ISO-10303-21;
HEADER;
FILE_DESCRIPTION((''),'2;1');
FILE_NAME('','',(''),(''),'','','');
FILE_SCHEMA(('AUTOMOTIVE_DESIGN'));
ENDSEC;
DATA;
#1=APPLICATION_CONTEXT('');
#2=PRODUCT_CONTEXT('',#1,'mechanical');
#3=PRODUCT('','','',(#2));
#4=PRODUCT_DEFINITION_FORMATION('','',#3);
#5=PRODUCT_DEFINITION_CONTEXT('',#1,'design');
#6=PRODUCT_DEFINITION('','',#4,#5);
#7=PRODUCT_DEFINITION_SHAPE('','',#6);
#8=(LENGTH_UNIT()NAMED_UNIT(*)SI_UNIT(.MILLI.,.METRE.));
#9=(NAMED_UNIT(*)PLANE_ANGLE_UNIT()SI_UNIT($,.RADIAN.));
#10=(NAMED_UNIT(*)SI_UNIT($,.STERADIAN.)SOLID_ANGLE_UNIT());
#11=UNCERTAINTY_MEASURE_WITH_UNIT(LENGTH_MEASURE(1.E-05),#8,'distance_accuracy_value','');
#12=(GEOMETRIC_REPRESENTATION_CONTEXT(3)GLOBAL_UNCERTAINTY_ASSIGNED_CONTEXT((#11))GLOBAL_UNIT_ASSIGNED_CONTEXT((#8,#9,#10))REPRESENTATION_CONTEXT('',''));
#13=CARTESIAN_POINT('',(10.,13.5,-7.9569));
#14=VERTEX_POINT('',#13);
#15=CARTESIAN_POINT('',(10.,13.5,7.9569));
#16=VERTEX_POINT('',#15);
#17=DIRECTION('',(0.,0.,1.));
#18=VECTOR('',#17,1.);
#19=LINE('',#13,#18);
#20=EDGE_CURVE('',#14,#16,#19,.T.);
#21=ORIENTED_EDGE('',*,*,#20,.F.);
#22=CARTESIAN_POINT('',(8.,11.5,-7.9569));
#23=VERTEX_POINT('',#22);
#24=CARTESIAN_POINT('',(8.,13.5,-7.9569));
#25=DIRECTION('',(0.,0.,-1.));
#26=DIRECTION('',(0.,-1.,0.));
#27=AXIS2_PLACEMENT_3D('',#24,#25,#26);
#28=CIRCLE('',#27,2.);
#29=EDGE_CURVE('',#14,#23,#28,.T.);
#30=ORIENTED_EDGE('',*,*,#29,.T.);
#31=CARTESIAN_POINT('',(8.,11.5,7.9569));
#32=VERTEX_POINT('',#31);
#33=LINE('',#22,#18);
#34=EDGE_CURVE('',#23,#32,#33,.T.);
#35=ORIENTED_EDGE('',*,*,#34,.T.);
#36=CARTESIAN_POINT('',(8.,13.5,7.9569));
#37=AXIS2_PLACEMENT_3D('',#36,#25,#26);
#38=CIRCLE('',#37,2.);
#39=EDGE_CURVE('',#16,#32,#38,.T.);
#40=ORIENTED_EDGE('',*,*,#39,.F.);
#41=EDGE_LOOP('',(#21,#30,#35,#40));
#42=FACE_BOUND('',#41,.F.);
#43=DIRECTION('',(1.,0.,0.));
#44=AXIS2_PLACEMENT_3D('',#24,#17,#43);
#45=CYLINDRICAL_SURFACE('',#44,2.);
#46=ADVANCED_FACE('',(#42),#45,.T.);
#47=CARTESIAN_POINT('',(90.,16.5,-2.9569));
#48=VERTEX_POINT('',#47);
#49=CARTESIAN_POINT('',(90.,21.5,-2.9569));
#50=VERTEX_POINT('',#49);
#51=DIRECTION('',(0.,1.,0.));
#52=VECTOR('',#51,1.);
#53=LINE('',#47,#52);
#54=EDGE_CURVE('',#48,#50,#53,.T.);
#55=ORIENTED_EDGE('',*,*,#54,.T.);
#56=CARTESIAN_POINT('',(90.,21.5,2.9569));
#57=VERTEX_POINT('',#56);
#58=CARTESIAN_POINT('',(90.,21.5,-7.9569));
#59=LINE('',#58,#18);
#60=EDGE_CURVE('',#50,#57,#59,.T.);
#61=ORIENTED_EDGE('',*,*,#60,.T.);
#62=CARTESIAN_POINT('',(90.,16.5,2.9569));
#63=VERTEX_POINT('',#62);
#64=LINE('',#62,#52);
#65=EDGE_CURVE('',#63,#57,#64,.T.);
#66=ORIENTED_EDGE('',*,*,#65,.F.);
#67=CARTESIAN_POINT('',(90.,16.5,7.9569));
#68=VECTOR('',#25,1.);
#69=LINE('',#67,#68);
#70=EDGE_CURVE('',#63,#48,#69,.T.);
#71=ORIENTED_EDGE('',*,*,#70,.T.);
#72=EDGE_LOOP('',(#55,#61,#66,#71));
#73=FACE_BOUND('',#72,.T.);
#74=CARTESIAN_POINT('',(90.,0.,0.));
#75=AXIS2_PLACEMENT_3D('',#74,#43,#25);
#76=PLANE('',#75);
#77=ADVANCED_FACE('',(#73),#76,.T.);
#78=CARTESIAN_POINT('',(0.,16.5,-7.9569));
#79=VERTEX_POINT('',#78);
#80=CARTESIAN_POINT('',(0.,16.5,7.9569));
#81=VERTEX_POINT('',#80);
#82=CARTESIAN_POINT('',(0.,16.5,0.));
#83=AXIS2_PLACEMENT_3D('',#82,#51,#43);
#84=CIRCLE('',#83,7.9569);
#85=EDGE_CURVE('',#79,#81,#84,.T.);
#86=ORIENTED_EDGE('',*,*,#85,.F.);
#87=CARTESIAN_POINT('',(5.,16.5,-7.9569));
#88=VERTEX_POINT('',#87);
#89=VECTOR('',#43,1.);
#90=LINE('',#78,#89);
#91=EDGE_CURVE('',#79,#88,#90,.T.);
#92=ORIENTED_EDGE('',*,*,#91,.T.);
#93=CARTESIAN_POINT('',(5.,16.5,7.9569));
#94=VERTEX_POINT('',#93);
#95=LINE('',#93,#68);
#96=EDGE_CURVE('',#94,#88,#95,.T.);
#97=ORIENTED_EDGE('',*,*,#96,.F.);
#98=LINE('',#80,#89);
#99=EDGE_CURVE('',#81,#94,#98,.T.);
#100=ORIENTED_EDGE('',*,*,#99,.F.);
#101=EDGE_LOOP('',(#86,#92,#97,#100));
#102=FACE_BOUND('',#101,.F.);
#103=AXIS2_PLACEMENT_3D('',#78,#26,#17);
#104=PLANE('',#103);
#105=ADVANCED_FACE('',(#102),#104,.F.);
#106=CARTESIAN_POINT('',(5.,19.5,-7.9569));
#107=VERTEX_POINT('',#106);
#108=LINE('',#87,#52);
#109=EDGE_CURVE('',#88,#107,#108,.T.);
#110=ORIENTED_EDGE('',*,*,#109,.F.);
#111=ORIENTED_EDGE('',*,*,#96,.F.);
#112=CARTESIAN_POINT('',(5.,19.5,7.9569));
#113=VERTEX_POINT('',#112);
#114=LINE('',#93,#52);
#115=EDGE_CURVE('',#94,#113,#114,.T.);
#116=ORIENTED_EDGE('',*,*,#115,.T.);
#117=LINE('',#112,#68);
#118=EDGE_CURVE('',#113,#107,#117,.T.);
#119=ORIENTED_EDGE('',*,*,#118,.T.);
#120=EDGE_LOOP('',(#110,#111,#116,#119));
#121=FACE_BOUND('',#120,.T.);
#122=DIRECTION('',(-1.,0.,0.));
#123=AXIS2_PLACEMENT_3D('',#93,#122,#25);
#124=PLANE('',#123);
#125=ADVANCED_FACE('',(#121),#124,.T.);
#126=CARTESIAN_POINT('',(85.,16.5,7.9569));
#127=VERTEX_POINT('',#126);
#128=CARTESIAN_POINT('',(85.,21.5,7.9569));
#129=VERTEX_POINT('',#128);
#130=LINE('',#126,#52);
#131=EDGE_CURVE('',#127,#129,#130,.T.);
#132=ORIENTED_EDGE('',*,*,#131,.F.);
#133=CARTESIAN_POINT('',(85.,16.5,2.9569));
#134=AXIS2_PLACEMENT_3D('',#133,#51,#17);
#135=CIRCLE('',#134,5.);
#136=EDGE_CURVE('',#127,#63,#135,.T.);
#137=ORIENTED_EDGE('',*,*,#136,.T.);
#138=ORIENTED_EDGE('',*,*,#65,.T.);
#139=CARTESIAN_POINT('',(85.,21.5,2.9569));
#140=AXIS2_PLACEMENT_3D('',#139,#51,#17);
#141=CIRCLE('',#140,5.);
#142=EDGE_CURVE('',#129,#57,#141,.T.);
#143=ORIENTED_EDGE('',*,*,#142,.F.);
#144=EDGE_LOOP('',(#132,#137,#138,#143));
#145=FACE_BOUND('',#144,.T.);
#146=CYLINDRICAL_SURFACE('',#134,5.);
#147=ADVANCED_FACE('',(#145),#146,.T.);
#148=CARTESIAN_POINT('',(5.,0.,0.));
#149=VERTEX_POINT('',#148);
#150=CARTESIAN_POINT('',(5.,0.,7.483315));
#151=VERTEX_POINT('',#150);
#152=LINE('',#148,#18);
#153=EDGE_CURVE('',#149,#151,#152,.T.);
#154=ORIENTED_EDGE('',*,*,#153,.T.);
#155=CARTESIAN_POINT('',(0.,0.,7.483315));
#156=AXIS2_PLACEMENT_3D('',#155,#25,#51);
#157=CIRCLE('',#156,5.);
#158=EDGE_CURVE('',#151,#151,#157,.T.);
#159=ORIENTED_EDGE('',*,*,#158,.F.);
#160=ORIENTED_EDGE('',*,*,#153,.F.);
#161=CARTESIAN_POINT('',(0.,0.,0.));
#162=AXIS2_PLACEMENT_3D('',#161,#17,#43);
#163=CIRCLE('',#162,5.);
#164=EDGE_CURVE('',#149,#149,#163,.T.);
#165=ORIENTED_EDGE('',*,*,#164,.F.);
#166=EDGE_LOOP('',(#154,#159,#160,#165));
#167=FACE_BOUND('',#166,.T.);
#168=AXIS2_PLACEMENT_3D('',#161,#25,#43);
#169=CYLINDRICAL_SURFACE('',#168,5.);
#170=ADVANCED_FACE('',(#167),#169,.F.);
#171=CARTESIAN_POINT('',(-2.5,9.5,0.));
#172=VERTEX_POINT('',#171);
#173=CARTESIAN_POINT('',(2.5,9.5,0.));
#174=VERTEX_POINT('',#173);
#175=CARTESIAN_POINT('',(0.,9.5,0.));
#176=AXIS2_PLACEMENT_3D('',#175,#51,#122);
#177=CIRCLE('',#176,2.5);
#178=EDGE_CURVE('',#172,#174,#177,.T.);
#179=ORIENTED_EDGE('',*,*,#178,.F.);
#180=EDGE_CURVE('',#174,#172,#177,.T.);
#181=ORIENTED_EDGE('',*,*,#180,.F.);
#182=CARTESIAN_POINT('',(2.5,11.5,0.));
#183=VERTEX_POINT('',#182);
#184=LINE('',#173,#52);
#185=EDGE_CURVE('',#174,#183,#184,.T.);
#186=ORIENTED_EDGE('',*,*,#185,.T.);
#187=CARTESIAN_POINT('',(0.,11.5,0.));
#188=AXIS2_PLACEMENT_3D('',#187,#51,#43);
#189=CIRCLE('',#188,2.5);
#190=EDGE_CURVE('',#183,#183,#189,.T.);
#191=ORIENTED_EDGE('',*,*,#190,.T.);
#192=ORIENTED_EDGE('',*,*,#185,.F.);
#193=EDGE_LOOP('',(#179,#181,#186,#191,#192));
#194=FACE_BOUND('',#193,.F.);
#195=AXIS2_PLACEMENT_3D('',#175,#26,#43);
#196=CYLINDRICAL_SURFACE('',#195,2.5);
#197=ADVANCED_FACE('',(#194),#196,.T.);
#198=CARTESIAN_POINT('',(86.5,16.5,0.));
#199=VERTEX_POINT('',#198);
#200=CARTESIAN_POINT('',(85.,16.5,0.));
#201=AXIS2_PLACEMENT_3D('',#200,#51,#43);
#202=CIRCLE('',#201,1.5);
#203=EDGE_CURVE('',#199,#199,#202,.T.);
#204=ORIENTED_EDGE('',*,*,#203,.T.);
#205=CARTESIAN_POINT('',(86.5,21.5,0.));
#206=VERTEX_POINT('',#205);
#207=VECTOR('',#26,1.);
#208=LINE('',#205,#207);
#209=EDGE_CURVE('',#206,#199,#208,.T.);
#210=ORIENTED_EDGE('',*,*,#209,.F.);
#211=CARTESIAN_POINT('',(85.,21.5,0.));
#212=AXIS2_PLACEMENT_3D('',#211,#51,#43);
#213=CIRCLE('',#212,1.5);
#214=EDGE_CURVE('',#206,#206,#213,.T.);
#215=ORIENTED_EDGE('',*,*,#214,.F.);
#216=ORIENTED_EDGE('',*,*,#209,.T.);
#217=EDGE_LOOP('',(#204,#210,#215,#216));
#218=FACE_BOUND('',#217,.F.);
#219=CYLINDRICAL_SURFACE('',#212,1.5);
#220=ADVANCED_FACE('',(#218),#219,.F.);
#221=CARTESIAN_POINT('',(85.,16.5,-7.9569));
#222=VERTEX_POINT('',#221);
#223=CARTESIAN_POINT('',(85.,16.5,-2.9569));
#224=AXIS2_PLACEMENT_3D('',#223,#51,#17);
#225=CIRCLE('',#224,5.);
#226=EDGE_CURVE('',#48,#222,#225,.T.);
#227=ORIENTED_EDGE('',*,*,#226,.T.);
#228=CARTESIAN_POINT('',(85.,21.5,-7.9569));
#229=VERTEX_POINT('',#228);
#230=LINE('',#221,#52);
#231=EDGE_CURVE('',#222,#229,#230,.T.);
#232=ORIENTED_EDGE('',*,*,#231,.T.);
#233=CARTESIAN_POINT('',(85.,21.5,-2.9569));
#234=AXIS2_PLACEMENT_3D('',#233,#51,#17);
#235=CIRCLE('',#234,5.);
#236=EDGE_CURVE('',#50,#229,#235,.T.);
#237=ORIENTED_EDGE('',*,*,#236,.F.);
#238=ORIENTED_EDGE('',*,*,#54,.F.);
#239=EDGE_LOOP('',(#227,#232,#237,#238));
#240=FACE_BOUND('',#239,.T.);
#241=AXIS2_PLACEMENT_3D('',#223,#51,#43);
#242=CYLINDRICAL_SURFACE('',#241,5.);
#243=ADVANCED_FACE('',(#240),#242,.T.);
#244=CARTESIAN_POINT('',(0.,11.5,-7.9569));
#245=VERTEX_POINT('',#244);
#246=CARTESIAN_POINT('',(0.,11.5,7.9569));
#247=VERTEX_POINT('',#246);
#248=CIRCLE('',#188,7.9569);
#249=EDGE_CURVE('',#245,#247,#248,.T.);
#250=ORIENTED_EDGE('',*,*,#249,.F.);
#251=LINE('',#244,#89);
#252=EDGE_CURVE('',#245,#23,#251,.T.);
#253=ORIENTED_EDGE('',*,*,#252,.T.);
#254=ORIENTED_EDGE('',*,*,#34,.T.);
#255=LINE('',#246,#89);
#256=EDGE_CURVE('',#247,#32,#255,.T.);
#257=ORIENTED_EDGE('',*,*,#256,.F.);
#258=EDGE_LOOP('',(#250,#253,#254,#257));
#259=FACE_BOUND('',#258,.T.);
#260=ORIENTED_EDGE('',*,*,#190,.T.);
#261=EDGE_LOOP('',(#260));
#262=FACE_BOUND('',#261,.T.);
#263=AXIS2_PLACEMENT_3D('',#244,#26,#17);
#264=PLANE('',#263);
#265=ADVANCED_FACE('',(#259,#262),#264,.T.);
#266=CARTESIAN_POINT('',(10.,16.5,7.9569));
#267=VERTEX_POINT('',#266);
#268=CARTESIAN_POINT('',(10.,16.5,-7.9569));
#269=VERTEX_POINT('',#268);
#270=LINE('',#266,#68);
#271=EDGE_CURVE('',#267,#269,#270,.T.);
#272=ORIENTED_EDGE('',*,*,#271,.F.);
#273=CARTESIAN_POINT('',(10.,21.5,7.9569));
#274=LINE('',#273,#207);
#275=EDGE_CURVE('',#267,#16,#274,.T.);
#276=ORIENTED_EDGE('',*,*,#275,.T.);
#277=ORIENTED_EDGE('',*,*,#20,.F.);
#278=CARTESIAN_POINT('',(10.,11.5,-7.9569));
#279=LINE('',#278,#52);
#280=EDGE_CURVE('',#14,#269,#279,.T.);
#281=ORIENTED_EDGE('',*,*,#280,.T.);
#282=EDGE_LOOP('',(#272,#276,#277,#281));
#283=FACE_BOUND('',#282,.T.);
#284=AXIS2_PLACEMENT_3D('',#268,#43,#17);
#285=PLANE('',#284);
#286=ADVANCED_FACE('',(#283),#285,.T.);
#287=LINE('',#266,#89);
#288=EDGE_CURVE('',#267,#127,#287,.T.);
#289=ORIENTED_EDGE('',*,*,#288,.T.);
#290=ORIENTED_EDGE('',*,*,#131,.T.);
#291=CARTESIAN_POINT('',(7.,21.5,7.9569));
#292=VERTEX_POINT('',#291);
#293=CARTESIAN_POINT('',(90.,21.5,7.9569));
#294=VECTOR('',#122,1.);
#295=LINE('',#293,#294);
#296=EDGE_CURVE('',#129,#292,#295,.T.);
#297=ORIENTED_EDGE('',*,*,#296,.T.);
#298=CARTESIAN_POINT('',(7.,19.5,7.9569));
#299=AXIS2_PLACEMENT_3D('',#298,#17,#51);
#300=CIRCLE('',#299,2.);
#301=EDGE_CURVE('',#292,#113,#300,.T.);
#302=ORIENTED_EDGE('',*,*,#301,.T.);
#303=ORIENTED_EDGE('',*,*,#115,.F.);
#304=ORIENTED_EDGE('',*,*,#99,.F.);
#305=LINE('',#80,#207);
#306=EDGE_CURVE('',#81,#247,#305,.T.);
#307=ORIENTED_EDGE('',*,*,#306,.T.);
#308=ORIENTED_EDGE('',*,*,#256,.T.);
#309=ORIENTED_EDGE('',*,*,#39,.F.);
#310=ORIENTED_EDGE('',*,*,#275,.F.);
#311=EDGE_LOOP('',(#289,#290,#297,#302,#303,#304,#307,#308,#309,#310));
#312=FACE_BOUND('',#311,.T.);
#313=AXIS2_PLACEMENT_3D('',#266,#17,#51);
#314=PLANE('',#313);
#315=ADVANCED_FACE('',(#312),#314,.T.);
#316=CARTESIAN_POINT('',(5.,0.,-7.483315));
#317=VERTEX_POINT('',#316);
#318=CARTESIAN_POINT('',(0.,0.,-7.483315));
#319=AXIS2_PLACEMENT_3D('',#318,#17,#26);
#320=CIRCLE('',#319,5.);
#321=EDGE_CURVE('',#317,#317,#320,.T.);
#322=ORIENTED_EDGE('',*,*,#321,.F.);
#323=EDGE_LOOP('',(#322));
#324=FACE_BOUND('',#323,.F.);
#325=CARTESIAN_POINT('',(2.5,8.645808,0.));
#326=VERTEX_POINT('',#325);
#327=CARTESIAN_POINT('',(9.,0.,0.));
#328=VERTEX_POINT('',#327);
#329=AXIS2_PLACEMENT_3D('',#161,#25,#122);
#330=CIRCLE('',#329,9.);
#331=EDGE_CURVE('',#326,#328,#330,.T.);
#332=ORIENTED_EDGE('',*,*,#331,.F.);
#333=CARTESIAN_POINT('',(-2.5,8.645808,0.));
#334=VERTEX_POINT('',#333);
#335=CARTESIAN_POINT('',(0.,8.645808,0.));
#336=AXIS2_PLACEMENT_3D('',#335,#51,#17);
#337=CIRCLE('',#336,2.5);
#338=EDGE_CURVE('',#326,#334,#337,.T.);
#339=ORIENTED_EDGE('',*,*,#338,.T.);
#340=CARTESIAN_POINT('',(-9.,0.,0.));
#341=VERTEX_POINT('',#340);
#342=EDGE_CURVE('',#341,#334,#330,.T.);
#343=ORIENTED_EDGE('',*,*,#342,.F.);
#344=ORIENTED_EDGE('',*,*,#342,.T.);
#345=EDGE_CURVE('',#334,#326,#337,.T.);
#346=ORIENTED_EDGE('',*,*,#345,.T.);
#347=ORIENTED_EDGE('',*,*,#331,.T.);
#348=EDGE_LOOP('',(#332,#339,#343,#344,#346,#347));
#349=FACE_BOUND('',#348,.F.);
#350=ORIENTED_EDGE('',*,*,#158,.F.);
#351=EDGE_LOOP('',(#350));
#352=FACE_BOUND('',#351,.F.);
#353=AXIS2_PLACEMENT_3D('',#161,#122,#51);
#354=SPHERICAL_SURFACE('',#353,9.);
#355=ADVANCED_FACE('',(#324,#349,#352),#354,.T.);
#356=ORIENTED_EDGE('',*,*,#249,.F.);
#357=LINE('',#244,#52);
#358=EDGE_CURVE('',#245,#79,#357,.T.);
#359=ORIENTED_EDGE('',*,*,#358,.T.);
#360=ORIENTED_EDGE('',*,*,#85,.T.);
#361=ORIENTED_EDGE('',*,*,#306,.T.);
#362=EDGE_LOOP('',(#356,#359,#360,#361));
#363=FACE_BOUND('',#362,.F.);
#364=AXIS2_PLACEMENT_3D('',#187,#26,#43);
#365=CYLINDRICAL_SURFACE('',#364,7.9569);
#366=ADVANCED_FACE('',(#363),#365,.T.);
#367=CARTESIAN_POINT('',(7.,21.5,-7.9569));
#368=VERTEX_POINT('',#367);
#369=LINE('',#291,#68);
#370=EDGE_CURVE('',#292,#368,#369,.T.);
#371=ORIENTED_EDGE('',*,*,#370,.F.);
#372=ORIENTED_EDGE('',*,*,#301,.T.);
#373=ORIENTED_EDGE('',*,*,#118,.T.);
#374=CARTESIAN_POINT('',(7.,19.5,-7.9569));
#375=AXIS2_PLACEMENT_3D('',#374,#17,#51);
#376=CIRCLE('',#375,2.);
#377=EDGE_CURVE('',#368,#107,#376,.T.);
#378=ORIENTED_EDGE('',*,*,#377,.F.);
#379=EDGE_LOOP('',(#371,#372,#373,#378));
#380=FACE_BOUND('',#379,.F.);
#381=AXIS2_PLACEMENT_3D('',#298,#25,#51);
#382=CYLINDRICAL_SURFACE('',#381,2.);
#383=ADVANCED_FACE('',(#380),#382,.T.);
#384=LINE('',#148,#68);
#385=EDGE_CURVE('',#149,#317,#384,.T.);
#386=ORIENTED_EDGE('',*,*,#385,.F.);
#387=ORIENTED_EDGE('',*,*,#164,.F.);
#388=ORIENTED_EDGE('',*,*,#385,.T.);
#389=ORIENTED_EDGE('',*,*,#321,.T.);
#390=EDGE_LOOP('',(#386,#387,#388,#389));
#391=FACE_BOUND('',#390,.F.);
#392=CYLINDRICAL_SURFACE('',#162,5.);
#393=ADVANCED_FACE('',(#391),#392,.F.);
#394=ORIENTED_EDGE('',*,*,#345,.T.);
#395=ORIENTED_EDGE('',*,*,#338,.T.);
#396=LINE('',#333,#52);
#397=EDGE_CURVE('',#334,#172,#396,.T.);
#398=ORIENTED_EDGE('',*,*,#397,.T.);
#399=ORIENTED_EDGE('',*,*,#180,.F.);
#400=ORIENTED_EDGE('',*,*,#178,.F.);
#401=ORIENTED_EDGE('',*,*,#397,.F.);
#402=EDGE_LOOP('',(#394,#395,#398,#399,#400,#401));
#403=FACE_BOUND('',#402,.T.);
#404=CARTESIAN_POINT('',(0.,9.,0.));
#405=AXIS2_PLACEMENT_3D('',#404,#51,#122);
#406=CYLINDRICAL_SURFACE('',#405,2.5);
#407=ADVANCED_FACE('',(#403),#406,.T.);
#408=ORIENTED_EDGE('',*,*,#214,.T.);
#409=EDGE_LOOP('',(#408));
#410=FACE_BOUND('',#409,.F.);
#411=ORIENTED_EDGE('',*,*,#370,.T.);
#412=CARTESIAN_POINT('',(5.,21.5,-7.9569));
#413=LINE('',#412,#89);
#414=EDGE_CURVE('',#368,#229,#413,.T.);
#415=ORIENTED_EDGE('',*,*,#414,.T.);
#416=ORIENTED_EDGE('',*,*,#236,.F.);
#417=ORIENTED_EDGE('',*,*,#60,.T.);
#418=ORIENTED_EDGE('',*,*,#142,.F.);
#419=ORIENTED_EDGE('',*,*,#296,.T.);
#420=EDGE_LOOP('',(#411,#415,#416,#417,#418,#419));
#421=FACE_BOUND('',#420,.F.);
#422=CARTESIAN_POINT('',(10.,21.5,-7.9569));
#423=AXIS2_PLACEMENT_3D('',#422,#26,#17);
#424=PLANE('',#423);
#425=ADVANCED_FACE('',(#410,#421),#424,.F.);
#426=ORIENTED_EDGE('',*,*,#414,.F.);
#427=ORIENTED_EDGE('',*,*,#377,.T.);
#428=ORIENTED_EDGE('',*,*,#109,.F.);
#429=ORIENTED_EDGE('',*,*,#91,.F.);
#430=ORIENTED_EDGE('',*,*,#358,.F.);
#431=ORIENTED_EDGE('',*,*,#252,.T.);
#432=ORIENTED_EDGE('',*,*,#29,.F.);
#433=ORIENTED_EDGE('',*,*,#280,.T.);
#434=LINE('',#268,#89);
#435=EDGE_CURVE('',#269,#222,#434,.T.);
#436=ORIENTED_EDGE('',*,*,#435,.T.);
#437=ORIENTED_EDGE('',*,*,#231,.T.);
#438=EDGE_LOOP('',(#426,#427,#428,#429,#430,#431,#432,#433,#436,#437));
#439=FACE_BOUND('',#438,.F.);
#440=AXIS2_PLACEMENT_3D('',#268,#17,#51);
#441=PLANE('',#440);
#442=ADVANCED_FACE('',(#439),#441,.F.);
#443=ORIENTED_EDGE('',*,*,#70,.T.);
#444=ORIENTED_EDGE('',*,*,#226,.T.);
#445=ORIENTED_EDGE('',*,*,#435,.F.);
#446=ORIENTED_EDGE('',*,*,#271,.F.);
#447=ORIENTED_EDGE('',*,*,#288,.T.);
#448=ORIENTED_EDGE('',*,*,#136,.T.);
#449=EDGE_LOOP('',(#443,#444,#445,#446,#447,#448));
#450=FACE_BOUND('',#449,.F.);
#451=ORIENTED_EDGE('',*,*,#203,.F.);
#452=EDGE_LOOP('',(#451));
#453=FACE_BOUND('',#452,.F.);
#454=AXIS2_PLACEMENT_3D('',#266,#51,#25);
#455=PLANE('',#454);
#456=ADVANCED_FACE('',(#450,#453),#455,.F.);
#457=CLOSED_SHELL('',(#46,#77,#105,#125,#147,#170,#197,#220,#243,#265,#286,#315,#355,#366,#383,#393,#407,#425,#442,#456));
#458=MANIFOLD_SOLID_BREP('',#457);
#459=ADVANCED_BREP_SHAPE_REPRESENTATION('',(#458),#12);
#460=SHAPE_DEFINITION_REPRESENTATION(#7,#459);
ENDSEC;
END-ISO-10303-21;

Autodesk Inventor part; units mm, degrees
ref_plane "YZ Plane" through (0, 0, 0) normal (1, 0, 0) x (0, 1, 0)
ref_plane "XY Plane" through (0, 0, 0) normal (0, 0, 1) x (1, 0, 0)
sketch "Skizze4" plane through (0, 0, 0) normal (0, 0, 1) x (1, 0, 0)
  line L0 (-12.6, 0) -> (12.6, 0) projected
  line L1 (0, -12.6) -> (0, 12.6) projected
  circle A0 centre (0, 0) radius 9
  point P0 (-9, 0)
  point P1 (9, 0)
  dimension "d8" = 18
revolve "Umdrehung1" add sketch "Skizze4" angle 360 about axis through (-10, 0, 0) along (1, 0, 0) picked at (-5.0484, 3.1721) picked at (5.9248, 0.6676) contours A0 L1 L0 | L1 A0 L0
ref_plane "Arbeitsebene1" through (0, 9, 0) normal (0, 1, 0) x (-1, 0, 0)
sketch "Skizze5" plane through (0, 9, 0) normal (0, 1, 0) x (-1, 0, 0)
  circle A0 centre (0, 0) radius 2.5
  dimension "d11" = 5
extrude "Extrusion3" add sketch "Skizze5" along normal mid plane 1
sketch "Skizze6" plane through (0, 9.5, 0) normal (0, 1, 0) x (1, 0, 0)
  circle A0 centre (0, 0) radius 2.5 projected
  circle A1 centre (0, 0) radius 2.5
  dimension "d14" = 5
extrude "Extrusion4" add sketch "Skizze6" along normal blind 2
sketch "Skizze7" plane through (0, 0, 0) normal (0, 0, 1) x (1, 0, 0)
  circle A0 centre (0, 0) radius 5
  dimension "d17" = 10
extrude "Extrusion5" cut sketch "Skizze7" along normal mid plane 20
sketch "Skizze8" plane through (0, 11.5, 0) normal (0, 1, 0) x (1, 0, 0)
  circle A0 centre (0, 0) radius 7.9569
  dimension "d20" = 15.9138
extrude "Extrusion6" add sketch "Skizze8" along normal blind 5
sketch "Skizze9" plane through (0, 0, 0) normal (1, 0, 0) x (0, 1, 0)
  line L0 (16.5, -7.9569) -> (16.5, 7.9569) projected
  line L1 (11.5, -7.9569) -> (11.5, 7.9569) projected
  line L2 (16.5, 7.9569) -> (11.5, 7.9569)
  line L3 (11.5, 7.9569) -> (11.5, -7.9569)
  line L4 (11.5, -7.9569) -> (16.5, -7.9569)
  line L5 (16.5, -7.9569) -> (16.5, 7.9569)
  point P0 (0, 0)
extrude "Extrusion7" add sketch "Skizze9" along normal blind 10
sketch "Skizze10" plane through (0, 16.5, 0) normal (0, 1, 0) x (1, 0, 0)
  line L0 (10, 7.9569) -> (10, -7.9569) projected
  line L1 (0, 7.9569) -> (10, 7.9569) projected
  line L2 (10, -7.9569) -> (5, -7.9569)
  line L3 (5, -7.9569) -> (5, 7.9569)
  line L4 (5, 7.9569) -> (10, 7.9569)
  line L5 (10, 7.9569) -> (10, -7.9569)
  point P0 (0, 0)
  dimension "d25" = 5
extrude "Extrusion8" add sketch "Skizze10" along normal blind 5
sketch "Skizze11" plane through (10, 0, 0) normal (1, 0, 0) x (0, 0, -1)
  line L0 (7.9569, 11.5) -> (7.9569, 21.5) projected
  line L1 (-7.9569, 11.5) -> (-7.9569, 21.5) projected
  line L2 (7.9569, 21.5) -> (-7.9569, 21.5)
  line L3 (-7.9569, 21.5) -> (-7.9569, 16.5)
  line L4 (-7.9569, 16.5) -> (7.9569, 16.5)
  line L5 (7.9569, 16.5) -> (7.9569, 21.5)
  point P0 (0, 0)
  point P1 (7.9569, 16.5)
  dimension "d28" = 5
extrude "Extrusion9" add sketch "Skizze11" along normal blind 80
fillet "Rundung2" radius 2 2 edges at (10, 11.5, 0) (5, 21.5, 0)
fillet "Rundung3" radius 5 2 edges at (90, 19, 7.9569) (90, 19, -7.9569)
sketch "Skizze12" plane through (0, 21.5, 0) normal (0, 1, 0) x (1, 0, 0)
  circle A0 centre (85, 0) radius 1.5
  line L0 (90, 2.9569) -> (90, -2.9569) projected
  point P0 (0, 0)
  dimension "d33" = 3
  dimension "d34" = 5
extrude "Extrusion10" cut sketch "Skizze12" against normal blind 5
properties part number "VentilNukleator2"
